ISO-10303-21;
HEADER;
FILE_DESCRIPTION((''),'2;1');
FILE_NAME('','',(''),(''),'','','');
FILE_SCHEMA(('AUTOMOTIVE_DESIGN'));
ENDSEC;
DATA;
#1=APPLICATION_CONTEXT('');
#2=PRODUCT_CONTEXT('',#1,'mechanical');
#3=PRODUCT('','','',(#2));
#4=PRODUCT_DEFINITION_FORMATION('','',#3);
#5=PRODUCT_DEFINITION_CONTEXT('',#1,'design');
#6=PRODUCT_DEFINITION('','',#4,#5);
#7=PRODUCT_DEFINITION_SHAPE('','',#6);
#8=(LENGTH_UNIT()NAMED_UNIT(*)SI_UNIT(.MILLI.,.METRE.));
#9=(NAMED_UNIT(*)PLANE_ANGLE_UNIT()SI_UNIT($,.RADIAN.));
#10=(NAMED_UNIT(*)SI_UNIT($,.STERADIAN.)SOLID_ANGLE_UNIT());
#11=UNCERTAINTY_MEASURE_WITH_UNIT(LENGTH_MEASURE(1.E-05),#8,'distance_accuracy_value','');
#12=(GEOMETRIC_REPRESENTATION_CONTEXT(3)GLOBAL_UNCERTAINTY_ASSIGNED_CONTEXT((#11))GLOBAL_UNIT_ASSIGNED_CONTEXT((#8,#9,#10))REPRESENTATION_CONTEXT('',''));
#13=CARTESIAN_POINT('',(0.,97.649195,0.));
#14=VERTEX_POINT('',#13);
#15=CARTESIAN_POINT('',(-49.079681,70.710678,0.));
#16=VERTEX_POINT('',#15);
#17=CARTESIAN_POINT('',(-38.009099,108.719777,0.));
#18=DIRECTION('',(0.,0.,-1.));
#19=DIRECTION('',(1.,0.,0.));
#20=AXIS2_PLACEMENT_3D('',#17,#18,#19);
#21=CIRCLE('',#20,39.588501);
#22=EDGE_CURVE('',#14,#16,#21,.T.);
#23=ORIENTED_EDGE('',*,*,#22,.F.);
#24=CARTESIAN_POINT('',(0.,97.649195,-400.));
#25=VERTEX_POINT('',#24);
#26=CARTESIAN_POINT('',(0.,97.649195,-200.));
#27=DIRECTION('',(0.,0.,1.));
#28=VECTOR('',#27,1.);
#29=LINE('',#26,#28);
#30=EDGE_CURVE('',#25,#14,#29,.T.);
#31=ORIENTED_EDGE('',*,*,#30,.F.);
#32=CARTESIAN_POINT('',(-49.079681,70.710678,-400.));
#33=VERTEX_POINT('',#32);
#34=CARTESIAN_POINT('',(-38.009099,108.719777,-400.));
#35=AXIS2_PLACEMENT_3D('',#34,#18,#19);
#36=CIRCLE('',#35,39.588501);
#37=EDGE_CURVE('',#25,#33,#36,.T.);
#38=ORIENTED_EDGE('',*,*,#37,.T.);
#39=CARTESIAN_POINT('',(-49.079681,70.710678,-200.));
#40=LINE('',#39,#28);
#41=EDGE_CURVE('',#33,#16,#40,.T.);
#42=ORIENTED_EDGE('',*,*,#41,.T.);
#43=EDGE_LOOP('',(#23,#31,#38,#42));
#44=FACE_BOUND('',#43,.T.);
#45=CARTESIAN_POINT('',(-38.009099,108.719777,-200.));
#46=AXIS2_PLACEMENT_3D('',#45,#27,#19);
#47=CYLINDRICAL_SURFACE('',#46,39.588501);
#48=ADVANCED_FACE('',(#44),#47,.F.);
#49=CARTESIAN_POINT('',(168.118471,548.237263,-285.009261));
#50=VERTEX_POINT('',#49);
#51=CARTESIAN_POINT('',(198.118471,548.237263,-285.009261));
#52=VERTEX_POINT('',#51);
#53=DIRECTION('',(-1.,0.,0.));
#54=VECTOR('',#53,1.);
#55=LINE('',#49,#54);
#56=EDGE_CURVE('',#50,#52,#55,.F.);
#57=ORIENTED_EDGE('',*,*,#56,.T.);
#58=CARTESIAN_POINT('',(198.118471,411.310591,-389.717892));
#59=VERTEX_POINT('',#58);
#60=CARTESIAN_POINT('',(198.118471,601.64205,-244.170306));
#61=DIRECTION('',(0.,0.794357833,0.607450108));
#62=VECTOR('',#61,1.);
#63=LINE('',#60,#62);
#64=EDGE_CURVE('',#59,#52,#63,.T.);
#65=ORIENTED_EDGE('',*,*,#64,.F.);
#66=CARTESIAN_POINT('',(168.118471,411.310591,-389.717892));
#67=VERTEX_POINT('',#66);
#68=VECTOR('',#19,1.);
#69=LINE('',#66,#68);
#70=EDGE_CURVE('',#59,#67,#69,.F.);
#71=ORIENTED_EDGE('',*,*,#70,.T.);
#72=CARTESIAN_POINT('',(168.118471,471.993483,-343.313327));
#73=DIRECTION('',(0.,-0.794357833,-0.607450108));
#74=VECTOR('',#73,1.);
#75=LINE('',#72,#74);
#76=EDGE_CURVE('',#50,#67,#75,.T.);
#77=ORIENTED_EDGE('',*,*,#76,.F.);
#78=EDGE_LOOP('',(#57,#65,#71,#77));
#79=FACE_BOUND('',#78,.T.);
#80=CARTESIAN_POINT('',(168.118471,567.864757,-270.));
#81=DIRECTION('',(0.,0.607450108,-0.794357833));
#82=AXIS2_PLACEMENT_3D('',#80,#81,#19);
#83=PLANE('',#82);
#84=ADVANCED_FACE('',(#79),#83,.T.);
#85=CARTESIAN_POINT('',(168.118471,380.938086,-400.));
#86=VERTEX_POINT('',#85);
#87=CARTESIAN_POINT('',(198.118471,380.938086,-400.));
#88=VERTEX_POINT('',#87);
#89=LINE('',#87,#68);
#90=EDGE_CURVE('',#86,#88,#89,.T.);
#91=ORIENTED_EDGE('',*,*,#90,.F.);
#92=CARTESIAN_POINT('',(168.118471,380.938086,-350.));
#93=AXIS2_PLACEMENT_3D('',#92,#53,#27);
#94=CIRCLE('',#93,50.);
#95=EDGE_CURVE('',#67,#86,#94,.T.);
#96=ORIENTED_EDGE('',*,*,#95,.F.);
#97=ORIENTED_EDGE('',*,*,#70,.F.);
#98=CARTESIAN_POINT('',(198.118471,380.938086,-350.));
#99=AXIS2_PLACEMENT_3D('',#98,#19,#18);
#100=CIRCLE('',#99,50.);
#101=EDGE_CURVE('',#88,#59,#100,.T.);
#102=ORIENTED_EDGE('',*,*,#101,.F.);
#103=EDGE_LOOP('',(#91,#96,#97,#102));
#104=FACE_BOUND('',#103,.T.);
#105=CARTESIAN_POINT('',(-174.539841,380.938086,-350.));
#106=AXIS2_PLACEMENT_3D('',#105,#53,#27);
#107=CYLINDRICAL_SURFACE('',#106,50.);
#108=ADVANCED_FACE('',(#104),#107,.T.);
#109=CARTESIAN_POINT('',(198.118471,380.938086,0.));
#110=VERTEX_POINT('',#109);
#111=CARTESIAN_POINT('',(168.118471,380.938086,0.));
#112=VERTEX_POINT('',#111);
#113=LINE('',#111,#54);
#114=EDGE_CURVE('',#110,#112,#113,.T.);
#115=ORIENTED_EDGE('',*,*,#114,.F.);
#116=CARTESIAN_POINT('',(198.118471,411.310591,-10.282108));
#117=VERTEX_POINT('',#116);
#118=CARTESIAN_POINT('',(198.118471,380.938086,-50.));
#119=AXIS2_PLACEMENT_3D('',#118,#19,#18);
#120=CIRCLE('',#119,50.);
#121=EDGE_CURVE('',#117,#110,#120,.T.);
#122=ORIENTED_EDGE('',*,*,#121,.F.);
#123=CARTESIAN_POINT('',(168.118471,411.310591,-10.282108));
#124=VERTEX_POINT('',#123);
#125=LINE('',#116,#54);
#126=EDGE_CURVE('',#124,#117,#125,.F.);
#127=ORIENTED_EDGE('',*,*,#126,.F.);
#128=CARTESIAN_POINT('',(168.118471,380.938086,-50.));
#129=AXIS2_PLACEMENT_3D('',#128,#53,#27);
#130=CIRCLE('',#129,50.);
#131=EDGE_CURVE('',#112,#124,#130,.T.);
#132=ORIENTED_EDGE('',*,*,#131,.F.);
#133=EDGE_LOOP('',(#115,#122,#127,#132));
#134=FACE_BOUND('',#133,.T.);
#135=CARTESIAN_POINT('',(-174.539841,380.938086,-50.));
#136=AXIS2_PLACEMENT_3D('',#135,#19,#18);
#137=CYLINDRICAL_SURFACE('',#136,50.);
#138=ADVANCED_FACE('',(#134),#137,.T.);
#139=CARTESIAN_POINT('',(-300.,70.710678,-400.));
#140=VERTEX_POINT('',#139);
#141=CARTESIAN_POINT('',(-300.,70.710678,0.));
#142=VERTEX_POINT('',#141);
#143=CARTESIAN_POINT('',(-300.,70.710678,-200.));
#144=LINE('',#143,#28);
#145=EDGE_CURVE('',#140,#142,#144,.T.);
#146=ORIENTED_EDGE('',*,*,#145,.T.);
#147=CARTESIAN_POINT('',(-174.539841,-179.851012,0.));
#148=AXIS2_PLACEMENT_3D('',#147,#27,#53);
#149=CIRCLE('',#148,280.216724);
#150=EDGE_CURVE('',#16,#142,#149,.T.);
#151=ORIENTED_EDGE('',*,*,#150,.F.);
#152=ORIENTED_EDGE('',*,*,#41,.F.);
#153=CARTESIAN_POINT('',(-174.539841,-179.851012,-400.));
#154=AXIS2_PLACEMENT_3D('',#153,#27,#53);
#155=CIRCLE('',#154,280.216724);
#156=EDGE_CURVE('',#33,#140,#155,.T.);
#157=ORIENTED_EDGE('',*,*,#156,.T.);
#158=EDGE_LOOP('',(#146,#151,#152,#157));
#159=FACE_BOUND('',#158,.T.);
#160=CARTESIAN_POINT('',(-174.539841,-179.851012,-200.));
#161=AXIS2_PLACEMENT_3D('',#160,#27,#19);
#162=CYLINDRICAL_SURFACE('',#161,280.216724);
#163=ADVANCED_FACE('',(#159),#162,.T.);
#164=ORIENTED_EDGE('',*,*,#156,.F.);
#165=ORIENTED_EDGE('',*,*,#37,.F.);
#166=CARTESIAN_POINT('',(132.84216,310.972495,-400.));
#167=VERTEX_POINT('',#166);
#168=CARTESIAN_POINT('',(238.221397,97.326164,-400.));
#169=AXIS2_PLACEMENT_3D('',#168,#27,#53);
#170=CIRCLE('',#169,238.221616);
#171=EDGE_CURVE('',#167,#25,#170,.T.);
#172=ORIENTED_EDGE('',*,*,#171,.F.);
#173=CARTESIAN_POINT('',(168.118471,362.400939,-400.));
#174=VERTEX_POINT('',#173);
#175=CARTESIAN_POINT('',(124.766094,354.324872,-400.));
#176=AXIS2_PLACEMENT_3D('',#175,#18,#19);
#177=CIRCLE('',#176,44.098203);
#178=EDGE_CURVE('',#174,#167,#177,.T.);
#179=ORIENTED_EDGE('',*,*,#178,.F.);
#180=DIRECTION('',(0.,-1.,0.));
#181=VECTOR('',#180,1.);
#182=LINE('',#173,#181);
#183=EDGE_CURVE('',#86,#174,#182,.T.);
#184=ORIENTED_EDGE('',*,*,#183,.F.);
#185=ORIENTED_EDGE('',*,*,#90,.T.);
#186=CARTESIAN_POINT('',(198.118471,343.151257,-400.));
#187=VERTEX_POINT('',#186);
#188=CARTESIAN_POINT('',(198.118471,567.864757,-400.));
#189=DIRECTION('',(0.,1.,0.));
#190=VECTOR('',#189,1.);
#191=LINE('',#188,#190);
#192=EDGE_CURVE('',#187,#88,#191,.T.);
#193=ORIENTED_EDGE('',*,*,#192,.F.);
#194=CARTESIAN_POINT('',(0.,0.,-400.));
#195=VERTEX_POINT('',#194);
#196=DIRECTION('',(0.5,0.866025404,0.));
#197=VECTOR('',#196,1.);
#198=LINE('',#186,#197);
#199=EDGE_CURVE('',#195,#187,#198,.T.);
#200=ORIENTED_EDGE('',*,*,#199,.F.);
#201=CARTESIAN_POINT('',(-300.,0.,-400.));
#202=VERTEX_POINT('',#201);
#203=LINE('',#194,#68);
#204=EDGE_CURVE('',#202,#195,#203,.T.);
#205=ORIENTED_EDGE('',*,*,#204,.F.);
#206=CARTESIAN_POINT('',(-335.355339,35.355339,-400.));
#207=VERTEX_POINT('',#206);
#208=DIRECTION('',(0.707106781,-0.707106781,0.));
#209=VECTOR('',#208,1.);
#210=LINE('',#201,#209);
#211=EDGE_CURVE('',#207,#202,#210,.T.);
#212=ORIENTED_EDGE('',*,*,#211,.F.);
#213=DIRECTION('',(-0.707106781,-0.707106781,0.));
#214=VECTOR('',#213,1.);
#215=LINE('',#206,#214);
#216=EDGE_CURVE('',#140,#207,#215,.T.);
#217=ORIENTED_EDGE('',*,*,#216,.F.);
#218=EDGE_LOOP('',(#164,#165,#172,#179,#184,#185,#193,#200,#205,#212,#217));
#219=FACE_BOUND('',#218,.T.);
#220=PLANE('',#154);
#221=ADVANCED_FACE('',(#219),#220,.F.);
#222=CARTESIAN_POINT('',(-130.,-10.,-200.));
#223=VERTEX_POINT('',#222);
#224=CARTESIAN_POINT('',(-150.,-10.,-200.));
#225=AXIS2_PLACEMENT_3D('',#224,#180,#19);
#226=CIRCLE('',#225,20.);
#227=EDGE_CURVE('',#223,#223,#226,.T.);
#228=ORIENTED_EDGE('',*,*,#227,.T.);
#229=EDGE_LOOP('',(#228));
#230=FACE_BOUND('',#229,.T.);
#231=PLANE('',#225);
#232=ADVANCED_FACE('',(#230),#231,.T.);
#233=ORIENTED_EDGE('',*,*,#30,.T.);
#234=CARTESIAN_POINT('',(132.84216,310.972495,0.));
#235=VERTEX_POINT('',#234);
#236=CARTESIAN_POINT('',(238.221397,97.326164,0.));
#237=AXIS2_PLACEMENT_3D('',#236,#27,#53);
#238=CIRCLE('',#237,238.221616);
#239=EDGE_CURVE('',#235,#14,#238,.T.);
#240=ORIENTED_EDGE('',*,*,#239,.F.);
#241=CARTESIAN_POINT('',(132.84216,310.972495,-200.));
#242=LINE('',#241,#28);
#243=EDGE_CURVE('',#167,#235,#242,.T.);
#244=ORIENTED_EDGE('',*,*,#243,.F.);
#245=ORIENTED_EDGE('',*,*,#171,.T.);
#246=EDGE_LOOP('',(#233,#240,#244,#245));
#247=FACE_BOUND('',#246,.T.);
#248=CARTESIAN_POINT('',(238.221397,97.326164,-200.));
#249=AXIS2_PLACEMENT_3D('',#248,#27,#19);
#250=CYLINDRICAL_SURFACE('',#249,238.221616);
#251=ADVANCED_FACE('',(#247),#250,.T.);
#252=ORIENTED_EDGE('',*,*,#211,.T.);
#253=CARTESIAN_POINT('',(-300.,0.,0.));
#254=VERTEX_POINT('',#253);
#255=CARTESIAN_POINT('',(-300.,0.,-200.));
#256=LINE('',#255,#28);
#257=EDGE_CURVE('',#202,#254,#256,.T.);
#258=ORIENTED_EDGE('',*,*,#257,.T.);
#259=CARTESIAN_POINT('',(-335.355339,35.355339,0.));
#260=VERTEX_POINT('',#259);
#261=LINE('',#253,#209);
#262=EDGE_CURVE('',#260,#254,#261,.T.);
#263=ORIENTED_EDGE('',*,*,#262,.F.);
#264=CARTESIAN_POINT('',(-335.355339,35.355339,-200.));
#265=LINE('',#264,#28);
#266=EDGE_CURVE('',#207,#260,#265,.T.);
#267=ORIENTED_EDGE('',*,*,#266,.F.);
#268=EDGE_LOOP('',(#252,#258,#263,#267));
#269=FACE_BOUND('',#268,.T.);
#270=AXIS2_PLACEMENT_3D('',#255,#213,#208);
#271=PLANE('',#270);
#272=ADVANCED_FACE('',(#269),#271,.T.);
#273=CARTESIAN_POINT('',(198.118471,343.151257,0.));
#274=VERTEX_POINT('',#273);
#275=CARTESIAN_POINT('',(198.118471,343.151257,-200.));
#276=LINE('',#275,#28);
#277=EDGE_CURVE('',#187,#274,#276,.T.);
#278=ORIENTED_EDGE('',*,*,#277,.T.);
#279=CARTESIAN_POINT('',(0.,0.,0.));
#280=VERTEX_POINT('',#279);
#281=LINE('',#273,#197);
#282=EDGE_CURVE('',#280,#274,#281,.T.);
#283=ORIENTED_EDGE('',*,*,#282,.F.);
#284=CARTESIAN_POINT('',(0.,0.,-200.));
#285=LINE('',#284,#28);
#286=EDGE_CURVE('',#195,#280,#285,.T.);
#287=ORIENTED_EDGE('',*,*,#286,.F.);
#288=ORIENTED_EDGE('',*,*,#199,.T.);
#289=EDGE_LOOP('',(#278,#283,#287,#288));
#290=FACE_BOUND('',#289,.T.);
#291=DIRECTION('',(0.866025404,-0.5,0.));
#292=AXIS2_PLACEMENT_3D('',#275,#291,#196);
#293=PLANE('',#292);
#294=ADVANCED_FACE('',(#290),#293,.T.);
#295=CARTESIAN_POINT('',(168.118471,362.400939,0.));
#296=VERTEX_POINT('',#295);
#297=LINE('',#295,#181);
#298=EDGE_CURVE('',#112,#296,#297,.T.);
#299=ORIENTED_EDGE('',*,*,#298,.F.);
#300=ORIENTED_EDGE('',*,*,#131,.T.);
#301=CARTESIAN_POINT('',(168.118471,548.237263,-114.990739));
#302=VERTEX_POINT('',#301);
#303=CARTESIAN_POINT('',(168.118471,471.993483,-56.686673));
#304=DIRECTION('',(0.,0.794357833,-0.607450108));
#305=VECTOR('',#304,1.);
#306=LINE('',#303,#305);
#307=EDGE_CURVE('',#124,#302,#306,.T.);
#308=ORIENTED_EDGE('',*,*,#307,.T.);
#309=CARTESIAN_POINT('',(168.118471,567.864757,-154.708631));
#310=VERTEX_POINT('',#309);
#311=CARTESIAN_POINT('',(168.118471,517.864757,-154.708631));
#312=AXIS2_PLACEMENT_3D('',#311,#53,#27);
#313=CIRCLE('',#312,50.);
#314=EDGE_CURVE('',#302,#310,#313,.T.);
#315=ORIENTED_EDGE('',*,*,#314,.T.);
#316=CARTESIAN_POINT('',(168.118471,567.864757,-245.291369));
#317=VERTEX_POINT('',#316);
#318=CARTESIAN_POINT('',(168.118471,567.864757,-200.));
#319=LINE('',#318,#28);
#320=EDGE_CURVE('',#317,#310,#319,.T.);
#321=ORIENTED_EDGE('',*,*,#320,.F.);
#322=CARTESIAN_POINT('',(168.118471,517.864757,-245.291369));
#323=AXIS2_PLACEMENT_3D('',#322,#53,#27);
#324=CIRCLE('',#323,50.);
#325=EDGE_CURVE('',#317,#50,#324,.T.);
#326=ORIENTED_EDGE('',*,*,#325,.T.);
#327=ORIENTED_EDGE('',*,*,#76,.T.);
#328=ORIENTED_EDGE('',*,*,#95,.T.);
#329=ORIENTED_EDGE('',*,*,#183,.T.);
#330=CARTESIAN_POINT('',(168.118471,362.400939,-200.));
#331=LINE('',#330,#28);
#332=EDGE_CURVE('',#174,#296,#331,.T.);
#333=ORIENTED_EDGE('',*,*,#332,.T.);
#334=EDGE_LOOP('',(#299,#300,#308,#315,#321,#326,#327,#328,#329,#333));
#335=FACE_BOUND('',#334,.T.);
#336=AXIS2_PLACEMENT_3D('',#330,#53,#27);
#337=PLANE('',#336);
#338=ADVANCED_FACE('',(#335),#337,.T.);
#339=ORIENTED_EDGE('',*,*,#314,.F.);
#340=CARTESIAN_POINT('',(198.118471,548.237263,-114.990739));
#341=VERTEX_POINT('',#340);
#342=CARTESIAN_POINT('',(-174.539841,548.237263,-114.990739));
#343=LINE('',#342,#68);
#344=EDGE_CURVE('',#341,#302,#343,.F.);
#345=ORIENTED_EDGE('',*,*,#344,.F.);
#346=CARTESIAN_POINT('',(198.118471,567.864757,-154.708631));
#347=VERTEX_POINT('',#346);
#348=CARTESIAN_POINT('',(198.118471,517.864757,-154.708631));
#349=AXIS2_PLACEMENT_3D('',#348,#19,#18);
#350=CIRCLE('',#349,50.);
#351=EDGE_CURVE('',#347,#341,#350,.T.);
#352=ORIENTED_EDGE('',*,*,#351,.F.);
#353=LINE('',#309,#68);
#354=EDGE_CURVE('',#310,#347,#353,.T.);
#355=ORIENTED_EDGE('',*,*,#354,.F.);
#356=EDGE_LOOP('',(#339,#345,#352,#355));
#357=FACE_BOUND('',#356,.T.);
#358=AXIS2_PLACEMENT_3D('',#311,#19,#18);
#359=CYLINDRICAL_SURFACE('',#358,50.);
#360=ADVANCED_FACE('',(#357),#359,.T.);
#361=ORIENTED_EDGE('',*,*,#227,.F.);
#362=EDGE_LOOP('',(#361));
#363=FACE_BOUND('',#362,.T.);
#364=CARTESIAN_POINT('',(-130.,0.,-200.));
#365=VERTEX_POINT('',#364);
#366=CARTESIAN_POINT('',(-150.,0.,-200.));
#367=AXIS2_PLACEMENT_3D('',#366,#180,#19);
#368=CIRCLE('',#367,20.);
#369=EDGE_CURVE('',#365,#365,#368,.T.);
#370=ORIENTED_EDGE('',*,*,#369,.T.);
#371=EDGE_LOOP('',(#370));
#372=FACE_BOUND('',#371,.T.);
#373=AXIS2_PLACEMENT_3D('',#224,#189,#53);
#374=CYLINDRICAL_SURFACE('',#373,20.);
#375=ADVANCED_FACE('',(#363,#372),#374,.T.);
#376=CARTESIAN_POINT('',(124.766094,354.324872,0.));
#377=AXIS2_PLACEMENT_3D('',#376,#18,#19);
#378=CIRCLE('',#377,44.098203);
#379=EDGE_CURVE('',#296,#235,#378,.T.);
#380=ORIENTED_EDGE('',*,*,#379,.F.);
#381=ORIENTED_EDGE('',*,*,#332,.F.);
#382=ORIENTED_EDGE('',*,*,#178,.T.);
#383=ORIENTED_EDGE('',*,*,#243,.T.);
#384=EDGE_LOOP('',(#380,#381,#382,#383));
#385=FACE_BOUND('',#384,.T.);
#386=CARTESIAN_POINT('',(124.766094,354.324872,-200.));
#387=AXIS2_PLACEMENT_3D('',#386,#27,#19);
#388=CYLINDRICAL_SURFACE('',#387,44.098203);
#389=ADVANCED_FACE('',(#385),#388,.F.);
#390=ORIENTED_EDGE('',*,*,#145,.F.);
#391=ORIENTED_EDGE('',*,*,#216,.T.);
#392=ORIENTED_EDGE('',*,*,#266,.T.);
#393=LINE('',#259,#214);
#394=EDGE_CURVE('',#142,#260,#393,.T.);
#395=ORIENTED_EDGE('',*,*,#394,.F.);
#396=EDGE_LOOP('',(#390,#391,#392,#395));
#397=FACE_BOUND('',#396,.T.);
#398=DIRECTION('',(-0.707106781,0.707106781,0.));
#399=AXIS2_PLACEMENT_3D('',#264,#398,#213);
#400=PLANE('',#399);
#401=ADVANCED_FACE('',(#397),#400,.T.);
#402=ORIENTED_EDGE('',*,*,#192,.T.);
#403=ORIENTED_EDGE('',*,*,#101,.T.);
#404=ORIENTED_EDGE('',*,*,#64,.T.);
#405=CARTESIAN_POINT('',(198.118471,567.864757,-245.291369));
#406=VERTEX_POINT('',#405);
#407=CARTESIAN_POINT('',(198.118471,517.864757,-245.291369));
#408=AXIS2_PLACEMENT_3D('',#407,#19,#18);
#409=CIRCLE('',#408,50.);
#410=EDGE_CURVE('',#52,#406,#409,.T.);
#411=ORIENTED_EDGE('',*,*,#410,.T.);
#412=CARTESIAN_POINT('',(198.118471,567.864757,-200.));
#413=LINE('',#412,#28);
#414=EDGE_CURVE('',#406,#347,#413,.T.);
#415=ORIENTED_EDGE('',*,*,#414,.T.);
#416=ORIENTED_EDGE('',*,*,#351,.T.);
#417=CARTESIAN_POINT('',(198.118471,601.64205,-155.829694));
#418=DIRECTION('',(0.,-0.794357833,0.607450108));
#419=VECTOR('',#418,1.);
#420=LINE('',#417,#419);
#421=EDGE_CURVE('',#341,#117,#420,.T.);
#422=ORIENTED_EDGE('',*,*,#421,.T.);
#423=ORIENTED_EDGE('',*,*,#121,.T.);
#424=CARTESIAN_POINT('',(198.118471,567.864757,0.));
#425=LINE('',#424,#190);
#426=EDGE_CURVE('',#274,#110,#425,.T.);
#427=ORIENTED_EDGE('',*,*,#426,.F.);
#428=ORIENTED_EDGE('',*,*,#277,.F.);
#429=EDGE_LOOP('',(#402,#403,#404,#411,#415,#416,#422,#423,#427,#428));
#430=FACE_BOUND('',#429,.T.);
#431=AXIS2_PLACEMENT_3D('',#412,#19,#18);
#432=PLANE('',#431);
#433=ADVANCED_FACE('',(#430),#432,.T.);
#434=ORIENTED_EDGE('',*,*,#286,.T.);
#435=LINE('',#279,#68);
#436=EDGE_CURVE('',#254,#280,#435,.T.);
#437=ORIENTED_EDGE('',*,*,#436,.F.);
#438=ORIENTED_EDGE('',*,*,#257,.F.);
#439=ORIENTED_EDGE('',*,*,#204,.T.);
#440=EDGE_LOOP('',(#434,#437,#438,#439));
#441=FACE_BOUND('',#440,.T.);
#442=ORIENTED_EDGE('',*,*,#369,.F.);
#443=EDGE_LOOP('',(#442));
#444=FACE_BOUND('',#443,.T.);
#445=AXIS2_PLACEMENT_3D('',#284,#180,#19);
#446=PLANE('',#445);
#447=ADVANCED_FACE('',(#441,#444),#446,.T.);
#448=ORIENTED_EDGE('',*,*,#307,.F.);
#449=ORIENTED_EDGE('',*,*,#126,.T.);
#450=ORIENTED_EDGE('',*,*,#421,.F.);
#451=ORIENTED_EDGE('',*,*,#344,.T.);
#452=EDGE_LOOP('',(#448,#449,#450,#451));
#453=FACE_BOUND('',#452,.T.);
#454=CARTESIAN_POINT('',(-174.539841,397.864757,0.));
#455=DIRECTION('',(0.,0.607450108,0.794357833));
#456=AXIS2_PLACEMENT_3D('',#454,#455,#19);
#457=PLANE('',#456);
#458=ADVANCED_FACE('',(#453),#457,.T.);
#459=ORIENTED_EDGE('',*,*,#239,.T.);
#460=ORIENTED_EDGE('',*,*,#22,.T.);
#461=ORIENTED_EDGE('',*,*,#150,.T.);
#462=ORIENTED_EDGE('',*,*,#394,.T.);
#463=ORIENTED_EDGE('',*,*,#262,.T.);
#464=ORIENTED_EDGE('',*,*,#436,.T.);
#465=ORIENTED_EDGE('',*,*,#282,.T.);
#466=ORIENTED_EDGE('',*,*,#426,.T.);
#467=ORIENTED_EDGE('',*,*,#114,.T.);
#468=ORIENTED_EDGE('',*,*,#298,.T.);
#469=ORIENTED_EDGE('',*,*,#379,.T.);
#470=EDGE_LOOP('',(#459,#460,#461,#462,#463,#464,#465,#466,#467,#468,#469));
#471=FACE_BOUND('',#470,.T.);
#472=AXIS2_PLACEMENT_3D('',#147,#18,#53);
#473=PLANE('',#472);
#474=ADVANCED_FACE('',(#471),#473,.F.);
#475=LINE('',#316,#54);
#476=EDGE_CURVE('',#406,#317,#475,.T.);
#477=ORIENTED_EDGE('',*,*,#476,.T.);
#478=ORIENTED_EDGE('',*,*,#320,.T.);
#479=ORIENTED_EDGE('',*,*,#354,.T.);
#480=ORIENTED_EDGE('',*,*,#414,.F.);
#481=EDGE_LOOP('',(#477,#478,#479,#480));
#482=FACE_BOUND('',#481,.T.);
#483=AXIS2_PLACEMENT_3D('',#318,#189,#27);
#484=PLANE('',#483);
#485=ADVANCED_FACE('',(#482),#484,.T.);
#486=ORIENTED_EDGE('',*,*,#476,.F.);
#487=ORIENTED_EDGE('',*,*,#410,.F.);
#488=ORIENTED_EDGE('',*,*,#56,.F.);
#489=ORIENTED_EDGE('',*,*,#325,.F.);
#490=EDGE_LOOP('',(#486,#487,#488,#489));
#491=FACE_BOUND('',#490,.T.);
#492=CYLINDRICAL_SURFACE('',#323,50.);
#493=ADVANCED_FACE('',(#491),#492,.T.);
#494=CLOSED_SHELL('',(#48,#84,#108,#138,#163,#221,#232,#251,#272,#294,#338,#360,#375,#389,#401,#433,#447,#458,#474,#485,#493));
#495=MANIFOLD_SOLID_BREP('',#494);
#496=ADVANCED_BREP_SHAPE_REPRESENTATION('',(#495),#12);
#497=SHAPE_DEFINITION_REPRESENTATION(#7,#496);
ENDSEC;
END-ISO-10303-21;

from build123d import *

# Parameters (mm, degrees)
BOSS_EXTRUDE1_DEPTH = 200
CHAMFER1_SIZE       = 130
CHAMFER1_SIZE2      = 170
CHAMFER2_SIZE       = 170
CHAMFER2_SIZE2      = 130
FILLET1_R           = 50
SKETCH2_R           = 20
BOSS_EXTRUDE2_DEPTH = 10


with BuildPart() as part:
    # Sketch1 → Boss-Extrude1 (new body)
    with BuildSketch(Plane.XY):
        with BuildLine():
            Line((0, 0), (-300, 0))
            Line((-300, 0), (-335.355339059, 35.355339059))
            Line((-335.355339059, 35.355339059), (-300, 70.710678119))
            ThreePointArc((-300, 70.710678119), (-174.539840649, 100.365711492), (-49.079681299, 70.710678119))
            ThreePointArc((-49.079681299, 70.710678119), (-18.96069104, 74.015201956), (0, 97.649195424))
            ThreePointArc((0, 97.649195424), (36.003553141, 223.252657901), (132.842160393, 310.972494714))
            ThreePointArc((132.842160393, 310.972494714), (161.131495087, 329.380753651), (168.11847076, 362.400938773))
            Line((168.11847076, 362.400938773), (168.11847076, 567.864757456))
            Line((168.11847076, 567.864757456), (198.11847076, 567.864757456))
            Line((198.11847076, 567.864757456), (198.11847076, 343.151257275))
            Line((198.11847076, 343.151257275), (0, 0))
        make_face()
    extrude(amount=-BOSS_EXTRUDE1_DEPTH)

    # Mirror1: part across plane


with BuildPart() as part_1:
    add(part.part)
    add(part.part.mirror(Plane(origin=(-174.539840649, -179.851012248, -200), x_dir=(1, 0, 0), z_dir=(0, 0, -1))))

    # Chamfer1
    chamfer1_edges = [part_1.edges().sort_by_distance(p)[0] for p in [
        (183.11847076, 567.864757456, 0),
    ]]
    chamfer1_side = [part_1.faces().sort_by_distance(p)[0] for p in [
        (183.11847076, 567.864757456, -200),
    ]]
    chamfer(chamfer1_edges, length=CHAMFER1_SIZE, length2=CHAMFER1_SIZE2, reference=chamfer1_side[0])

    # Chamfer2
    chamfer2_edges = [part_1.edges().sort_by_distance(p)[0] for p in [
        (183.11847076, 567.864757456, -400),
    ]]
    chamfer2_side = [part_1.faces().sort_by_distance(p)[0] for p in [
        (190.327035151, 455.508007366, -400),
    ]]
    chamfer(chamfer2_edges, length=CHAMFER2_SIZE, length2=CHAMFER2_SIZE2, reference=chamfer2_side[0])

    # Fillet1
    fillet1_edges = [part_1.edges().sort_by_distance(p)[0] for p in [
        (183.11847076, 397.864757456, 0),
        (183.11847076, 567.864757456, -130),
        (183.11847076, 567.864757456, -270),
        (183.11847076, 397.864757456, -400),
    ]]
    fillet(fillet1_edges, radius=FILLET1_R)

    # Sketch2 → Boss-Extrude2 (add)
    with BuildSketch(Plane.XZ):
        with Locations((-150, -200)):
            Circle(SKETCH2_R)
    extrude(amount=BOSS_EXTRUDE2_DEPTH)


solid = part_1.part
